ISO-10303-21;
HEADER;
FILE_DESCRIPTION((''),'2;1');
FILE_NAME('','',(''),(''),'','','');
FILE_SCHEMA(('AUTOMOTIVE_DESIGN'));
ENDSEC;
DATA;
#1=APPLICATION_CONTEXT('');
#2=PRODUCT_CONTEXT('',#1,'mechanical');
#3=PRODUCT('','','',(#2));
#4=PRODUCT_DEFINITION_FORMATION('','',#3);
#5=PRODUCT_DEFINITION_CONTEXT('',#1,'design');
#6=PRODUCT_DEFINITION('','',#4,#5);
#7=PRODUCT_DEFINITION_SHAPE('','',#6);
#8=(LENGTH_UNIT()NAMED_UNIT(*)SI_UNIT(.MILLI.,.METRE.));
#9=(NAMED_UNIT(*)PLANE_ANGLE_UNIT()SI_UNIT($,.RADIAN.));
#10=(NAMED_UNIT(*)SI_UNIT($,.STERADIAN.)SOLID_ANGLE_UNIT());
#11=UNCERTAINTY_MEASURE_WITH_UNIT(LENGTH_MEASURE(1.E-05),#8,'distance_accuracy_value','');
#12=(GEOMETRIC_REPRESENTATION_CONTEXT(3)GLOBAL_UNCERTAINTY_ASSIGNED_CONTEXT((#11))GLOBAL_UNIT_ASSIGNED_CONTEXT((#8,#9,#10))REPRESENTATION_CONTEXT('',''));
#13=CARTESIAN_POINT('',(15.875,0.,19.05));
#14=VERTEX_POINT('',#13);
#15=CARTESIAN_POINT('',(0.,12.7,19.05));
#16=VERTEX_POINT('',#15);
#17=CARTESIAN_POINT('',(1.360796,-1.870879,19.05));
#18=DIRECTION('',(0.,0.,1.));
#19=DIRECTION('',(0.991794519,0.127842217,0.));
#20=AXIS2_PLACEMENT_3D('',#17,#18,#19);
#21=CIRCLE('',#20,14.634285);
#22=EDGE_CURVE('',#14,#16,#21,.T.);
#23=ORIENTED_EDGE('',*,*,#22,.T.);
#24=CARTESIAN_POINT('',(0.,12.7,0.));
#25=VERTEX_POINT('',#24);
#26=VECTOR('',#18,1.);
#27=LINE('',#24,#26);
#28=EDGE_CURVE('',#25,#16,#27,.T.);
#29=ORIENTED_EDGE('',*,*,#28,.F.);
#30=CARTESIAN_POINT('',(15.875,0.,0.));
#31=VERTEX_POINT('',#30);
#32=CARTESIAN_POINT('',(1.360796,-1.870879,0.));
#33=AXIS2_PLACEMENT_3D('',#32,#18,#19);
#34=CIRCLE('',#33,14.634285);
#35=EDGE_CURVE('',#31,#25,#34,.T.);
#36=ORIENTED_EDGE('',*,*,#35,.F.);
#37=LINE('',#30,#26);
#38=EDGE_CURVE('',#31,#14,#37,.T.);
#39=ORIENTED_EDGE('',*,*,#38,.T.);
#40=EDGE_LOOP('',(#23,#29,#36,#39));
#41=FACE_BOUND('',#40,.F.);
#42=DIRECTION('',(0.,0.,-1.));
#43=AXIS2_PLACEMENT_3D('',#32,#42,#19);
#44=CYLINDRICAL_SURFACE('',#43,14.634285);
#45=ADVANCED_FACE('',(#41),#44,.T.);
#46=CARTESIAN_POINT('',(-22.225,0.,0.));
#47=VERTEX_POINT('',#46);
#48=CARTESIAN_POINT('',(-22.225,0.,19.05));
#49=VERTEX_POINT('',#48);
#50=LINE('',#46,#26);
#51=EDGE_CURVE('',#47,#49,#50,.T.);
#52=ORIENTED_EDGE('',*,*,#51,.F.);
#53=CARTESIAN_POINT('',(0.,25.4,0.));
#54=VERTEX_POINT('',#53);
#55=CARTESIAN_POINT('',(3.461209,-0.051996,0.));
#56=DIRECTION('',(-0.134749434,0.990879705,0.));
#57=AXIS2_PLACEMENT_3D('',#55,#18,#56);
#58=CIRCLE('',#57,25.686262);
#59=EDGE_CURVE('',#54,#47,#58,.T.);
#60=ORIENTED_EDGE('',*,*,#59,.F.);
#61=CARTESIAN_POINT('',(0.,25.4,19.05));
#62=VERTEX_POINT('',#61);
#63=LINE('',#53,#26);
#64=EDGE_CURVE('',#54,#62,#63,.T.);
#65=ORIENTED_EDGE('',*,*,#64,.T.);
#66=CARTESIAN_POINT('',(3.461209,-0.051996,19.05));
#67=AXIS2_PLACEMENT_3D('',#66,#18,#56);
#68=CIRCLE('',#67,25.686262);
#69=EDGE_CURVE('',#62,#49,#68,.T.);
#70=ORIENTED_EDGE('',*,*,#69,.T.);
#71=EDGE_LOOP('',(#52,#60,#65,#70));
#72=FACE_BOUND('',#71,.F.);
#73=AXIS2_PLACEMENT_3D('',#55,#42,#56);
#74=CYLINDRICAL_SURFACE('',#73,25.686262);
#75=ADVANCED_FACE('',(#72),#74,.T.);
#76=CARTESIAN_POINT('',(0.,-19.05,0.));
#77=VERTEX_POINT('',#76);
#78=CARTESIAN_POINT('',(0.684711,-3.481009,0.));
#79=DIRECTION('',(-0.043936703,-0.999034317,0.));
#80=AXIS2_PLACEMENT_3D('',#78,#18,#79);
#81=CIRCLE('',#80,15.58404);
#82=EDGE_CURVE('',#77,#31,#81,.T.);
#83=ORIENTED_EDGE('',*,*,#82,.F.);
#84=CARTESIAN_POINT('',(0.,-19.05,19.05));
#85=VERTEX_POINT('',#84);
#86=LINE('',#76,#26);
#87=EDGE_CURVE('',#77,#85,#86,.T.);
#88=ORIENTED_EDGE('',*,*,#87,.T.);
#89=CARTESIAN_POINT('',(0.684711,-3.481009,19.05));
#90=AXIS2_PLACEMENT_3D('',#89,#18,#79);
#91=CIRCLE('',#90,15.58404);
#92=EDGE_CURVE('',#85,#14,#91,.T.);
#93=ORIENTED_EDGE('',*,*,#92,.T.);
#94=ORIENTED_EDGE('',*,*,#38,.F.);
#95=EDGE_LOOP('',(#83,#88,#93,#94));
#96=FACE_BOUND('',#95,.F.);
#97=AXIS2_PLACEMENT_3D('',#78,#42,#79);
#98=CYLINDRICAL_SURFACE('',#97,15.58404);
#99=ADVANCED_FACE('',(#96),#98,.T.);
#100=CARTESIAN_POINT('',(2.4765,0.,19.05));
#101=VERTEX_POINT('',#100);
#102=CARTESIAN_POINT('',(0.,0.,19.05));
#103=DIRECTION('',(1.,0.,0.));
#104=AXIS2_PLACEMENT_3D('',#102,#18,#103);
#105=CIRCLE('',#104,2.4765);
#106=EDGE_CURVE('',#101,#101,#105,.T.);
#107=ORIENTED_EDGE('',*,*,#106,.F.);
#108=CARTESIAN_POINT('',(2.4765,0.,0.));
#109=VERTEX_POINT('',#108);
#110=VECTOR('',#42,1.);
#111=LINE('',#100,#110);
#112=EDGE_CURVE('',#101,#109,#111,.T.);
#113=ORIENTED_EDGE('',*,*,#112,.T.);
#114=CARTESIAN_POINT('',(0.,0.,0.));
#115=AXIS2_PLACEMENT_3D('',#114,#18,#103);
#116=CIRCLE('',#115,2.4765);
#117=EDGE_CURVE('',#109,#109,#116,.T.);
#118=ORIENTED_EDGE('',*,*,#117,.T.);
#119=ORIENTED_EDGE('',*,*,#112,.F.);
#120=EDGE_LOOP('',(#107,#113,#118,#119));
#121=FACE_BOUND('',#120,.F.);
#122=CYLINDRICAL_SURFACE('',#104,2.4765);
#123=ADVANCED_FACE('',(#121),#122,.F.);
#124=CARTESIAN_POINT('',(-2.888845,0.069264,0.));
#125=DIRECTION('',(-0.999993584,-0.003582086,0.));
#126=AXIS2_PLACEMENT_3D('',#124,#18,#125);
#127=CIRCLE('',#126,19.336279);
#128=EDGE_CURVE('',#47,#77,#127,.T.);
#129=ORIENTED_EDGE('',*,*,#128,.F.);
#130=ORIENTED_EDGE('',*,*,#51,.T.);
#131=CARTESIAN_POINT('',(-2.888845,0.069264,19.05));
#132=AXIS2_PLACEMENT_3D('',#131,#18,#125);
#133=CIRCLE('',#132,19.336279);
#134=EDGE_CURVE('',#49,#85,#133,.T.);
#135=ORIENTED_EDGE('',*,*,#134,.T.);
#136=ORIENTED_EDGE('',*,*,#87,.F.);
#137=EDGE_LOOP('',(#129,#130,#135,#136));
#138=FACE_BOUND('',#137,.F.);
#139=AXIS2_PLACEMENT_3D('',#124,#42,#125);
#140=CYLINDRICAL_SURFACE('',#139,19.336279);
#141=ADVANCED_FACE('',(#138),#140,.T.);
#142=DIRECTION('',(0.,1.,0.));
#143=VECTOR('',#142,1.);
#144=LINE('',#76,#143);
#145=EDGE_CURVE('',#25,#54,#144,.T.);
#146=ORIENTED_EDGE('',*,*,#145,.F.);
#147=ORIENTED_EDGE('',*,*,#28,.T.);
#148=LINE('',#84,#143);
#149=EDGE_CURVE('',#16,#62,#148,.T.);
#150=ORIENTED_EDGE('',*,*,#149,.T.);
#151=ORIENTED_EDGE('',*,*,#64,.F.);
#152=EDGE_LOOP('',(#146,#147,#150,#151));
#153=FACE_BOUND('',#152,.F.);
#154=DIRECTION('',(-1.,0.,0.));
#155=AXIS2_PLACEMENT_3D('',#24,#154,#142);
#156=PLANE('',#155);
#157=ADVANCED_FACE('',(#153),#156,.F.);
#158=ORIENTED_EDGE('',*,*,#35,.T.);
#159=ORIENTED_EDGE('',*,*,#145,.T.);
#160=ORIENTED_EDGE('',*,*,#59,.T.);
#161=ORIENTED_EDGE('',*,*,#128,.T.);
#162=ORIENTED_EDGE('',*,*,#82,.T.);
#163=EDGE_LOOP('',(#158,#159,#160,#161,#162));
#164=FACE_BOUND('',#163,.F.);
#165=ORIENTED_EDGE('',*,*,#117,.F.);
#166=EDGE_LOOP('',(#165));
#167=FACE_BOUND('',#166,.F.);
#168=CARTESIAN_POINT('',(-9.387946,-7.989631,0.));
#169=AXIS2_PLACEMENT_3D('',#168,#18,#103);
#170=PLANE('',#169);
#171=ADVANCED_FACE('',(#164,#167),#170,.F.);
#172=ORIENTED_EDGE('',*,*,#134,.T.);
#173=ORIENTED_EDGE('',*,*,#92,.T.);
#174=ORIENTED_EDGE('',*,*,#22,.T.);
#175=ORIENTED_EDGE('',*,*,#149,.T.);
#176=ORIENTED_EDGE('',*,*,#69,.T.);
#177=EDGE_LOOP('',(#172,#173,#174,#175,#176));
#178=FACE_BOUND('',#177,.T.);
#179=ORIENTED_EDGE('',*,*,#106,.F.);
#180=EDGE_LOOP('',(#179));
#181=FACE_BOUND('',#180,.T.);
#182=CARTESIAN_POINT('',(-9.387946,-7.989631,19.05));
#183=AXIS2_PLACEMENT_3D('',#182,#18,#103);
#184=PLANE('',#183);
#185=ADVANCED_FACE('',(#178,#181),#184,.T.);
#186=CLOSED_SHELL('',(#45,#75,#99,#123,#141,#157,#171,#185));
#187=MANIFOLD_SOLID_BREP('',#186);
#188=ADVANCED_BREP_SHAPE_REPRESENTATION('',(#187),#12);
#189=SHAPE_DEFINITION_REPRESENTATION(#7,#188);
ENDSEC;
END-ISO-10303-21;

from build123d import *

# Parameters (mm, degrees)
F1_DEPTH = 19.05
F2_R     = 2.4765
F3_DEPTH = 25.4


with BuildPart() as f1:
    # F0 (on Top) → F1 (new body)
    with BuildSketch(Plane.XY):
        with BuildLine():
            Line((0, -19.05), (0, 0))
            Line((0, 0), (-22.225, 0))
            ThreePointArc((-22.225, 0), (-15.472729, -14.611933), (0, -19.05))
        make_face()
        with BuildLine():
            Line((-22.225, 0), (0, 0))
            Line((0, 0), (0, 12.7))
            Line((0, 12.7), (0, 25.4))
            ThreePointArc((0, 25.4), (-15.869673, 16.862526), (-22.225, 0))
        make_face()
        with BuildLine():
            Line((15.875, 0), (0, 0))
            Line((0, 0), (0, -19.05))
            ThreePointArc((0, -19.05), (12.656702, -13.457669), (15.875, 0))
        make_face()
        with BuildLine():
            Line((0, 12.7), (0, 0))
            Line((0, 0), (15.875, 0))
            ThreePointArc((15.875, 0), (10.502762, 9.556577), (0, 12.7))
        make_face()
    extrude(amount=F1_DEPTH)

    # F2 (on face) → F3 (cut)
    with BuildSketch(Plane.XY.offset(19.05)):
        Circle(F2_R)
    extrude(amount=-F3_DEPTH, mode=Mode.SUBTRACT)


solid = f1.part
